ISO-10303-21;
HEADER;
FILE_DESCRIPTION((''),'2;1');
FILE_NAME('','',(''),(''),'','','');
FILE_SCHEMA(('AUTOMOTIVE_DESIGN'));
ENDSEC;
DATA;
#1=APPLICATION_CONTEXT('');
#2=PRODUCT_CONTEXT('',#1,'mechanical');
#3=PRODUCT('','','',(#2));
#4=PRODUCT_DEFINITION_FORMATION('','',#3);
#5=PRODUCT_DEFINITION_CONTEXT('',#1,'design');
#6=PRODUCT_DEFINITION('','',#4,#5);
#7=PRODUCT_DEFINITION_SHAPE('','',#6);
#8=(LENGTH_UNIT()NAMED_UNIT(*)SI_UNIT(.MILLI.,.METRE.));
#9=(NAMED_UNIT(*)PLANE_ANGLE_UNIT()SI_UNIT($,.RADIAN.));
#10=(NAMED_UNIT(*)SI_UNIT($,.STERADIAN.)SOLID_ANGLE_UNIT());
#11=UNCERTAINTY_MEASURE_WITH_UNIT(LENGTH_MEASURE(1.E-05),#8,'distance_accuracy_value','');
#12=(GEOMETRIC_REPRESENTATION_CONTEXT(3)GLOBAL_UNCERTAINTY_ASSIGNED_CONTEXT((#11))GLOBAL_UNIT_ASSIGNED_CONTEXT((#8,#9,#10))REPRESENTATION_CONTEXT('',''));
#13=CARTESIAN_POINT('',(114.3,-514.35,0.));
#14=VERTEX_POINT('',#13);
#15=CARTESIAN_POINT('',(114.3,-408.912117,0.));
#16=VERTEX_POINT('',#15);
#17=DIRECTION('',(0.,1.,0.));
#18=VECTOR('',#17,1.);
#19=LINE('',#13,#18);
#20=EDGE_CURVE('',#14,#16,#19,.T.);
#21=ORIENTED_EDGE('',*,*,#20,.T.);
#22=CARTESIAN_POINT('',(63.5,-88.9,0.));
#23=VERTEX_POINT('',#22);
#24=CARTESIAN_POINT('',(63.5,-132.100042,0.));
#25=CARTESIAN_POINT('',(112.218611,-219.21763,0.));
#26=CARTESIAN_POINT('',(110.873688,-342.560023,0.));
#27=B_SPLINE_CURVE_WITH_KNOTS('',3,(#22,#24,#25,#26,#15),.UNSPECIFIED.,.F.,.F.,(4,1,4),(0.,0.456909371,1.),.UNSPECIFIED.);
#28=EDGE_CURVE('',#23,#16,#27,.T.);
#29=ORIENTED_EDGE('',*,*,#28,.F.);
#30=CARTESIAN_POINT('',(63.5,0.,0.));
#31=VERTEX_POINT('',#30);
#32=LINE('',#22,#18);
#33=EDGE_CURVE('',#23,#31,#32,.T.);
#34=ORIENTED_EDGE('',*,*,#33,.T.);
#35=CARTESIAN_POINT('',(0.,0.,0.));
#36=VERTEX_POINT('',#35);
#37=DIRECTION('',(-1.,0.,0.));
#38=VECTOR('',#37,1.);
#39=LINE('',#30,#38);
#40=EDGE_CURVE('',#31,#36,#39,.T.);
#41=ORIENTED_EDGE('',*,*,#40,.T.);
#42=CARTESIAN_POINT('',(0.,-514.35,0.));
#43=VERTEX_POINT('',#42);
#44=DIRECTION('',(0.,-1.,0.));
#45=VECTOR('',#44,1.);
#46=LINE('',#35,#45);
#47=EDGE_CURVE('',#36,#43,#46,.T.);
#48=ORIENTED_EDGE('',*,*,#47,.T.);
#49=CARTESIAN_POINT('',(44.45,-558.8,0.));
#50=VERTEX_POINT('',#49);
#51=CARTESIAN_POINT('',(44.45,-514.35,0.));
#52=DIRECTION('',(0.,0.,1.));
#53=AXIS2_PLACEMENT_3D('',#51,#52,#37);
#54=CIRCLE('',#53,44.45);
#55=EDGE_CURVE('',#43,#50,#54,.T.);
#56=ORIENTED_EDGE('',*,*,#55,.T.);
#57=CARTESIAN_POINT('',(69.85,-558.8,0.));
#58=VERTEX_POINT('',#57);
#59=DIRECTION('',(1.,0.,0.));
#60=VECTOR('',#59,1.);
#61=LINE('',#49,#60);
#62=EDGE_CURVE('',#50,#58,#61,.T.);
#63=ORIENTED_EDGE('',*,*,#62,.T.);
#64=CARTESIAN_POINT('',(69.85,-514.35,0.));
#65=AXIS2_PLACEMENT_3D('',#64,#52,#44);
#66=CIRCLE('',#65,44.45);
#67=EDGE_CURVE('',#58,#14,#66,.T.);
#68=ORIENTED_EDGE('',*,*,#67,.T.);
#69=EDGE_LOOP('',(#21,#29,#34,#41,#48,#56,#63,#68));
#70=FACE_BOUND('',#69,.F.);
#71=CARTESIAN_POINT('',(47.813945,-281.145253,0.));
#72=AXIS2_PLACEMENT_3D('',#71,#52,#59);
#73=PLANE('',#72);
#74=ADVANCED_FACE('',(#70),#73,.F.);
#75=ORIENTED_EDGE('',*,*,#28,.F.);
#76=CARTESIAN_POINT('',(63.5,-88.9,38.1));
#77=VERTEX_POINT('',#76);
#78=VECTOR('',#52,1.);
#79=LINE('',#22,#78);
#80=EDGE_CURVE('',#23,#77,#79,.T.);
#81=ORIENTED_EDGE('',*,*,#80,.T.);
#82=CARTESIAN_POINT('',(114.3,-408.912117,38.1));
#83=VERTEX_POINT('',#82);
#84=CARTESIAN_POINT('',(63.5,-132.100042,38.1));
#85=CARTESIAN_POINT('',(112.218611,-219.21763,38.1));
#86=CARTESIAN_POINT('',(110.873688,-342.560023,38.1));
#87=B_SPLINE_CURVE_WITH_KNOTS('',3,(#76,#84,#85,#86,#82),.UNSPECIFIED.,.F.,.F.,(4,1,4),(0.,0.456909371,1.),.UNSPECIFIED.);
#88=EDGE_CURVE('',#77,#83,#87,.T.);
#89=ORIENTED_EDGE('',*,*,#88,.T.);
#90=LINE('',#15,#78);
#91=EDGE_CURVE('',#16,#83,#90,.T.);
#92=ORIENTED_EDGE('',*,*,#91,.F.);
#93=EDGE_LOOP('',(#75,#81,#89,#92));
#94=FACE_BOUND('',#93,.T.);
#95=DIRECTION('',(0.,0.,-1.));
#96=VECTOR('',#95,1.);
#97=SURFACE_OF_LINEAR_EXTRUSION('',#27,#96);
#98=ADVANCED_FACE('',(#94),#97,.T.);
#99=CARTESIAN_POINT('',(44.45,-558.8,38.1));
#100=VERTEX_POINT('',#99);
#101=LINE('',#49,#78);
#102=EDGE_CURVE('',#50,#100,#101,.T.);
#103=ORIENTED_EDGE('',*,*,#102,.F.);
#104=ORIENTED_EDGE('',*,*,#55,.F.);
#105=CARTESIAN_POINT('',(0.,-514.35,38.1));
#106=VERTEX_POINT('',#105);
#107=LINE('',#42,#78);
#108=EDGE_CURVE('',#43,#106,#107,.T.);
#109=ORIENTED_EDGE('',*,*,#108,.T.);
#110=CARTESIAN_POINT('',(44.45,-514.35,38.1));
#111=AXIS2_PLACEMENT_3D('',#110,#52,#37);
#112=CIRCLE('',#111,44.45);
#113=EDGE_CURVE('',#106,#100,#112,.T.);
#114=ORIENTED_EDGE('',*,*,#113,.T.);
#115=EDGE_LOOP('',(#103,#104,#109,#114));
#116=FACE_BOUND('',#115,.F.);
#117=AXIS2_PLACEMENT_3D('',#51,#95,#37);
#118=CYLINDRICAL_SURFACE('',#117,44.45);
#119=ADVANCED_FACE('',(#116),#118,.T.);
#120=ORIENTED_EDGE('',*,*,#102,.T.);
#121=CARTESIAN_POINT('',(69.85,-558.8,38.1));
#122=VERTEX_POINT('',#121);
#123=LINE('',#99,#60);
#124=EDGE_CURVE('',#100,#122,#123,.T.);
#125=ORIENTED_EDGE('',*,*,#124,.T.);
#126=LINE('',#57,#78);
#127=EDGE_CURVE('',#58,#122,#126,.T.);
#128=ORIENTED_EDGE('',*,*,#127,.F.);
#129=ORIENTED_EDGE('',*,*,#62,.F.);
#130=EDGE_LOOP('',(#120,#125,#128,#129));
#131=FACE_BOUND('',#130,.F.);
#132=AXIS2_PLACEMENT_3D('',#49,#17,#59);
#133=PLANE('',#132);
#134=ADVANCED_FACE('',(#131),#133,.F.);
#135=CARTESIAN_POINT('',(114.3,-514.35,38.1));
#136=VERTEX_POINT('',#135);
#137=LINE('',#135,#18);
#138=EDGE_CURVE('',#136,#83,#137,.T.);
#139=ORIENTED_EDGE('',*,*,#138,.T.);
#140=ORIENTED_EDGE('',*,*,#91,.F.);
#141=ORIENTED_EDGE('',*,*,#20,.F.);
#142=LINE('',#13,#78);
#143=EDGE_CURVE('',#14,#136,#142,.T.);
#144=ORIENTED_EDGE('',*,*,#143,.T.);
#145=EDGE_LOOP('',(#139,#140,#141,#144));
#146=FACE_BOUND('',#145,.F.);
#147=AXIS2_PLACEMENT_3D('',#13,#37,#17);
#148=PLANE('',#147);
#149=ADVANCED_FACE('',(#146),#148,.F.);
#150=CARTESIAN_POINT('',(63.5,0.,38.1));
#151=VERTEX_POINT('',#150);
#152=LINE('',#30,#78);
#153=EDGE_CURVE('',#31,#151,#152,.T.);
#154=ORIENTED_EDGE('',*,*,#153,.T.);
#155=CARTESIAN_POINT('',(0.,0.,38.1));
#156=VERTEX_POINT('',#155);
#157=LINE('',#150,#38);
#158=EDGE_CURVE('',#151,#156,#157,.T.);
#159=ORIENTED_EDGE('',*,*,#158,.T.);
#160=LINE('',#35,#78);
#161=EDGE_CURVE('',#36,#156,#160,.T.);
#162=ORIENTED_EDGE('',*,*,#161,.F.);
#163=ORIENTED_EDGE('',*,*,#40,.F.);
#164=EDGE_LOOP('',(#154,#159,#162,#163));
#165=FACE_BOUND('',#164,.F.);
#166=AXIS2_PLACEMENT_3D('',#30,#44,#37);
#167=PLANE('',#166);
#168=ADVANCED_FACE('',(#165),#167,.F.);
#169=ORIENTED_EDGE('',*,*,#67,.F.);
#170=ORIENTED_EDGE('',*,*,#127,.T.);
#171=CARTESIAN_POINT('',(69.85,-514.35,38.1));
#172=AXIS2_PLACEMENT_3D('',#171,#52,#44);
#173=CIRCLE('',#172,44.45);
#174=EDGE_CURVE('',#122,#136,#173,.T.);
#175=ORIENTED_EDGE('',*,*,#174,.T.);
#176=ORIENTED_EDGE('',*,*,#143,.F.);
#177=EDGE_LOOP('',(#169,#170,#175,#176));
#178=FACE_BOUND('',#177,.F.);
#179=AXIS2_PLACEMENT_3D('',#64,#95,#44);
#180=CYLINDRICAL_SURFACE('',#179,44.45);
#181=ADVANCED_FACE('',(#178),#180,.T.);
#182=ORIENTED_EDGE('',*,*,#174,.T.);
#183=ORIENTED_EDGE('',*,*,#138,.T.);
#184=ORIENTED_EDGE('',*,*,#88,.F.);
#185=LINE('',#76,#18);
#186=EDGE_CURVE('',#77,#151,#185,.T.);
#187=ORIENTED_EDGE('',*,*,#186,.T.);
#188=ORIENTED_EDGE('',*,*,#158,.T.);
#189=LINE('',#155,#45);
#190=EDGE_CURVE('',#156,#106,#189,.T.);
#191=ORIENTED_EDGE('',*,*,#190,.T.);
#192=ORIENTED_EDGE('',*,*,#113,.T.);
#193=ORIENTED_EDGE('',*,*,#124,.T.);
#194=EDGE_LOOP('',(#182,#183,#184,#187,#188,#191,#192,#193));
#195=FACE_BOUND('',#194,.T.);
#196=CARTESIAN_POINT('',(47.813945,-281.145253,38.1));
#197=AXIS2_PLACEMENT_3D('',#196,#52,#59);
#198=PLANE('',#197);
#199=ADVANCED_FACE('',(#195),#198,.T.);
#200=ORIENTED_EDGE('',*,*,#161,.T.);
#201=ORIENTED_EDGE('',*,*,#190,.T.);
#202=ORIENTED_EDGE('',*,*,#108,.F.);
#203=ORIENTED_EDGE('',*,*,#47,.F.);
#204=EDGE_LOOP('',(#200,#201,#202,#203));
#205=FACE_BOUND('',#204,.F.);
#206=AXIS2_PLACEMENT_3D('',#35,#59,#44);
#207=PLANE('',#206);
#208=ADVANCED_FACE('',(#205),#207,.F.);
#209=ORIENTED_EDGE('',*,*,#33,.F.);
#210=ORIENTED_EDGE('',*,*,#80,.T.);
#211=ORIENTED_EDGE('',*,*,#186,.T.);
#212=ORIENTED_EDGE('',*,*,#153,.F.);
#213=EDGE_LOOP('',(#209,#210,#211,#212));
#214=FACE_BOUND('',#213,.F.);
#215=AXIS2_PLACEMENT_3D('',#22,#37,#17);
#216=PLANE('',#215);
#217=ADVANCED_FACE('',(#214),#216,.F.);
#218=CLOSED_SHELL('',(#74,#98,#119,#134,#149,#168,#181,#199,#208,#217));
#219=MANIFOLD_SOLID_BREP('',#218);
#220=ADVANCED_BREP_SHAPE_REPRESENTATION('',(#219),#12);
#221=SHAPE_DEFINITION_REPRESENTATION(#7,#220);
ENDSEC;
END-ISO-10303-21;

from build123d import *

# Parameters (mm, degrees)
F1_DEPTH = 38.1


with BuildPart() as f1:
    # F0 (on Top) → F1 (new body)
    with BuildSketch(Plane.XY):
        with BuildLine():
            ThreePointArc((0, -514.35), (13.0191035763, -545.7808964237), (44.45, -558.8))
            Line((44.45, -558.8), (69.85, -558.8))
            ThreePointArc((69.85, -558.8), (101.2808964237, -545.7808964237), (114.3, -514.35))
            Line((114.3, -514.35), (114.3, -408.9121172022))
            add(Edge.make_bspline(
                [(63.5, -88.9), (63.5, -132.1000424328), (112.2186114332, -219.2176302116), (110.8736880618, -342.5600233226), (114.3, -408.9121172022)],
                knots=[0, 0, 0, 0, 0.4569093715, 1, 1, 1, 1], degree=3))
            Line((63.5, -88.9), (63.5, 0))
            Line((63.5, 0), (0, 0))
            Line((0, 0), (0, -514.35))
        make_face()
    extrude(amount=F1_DEPTH)


solid = f1.part
